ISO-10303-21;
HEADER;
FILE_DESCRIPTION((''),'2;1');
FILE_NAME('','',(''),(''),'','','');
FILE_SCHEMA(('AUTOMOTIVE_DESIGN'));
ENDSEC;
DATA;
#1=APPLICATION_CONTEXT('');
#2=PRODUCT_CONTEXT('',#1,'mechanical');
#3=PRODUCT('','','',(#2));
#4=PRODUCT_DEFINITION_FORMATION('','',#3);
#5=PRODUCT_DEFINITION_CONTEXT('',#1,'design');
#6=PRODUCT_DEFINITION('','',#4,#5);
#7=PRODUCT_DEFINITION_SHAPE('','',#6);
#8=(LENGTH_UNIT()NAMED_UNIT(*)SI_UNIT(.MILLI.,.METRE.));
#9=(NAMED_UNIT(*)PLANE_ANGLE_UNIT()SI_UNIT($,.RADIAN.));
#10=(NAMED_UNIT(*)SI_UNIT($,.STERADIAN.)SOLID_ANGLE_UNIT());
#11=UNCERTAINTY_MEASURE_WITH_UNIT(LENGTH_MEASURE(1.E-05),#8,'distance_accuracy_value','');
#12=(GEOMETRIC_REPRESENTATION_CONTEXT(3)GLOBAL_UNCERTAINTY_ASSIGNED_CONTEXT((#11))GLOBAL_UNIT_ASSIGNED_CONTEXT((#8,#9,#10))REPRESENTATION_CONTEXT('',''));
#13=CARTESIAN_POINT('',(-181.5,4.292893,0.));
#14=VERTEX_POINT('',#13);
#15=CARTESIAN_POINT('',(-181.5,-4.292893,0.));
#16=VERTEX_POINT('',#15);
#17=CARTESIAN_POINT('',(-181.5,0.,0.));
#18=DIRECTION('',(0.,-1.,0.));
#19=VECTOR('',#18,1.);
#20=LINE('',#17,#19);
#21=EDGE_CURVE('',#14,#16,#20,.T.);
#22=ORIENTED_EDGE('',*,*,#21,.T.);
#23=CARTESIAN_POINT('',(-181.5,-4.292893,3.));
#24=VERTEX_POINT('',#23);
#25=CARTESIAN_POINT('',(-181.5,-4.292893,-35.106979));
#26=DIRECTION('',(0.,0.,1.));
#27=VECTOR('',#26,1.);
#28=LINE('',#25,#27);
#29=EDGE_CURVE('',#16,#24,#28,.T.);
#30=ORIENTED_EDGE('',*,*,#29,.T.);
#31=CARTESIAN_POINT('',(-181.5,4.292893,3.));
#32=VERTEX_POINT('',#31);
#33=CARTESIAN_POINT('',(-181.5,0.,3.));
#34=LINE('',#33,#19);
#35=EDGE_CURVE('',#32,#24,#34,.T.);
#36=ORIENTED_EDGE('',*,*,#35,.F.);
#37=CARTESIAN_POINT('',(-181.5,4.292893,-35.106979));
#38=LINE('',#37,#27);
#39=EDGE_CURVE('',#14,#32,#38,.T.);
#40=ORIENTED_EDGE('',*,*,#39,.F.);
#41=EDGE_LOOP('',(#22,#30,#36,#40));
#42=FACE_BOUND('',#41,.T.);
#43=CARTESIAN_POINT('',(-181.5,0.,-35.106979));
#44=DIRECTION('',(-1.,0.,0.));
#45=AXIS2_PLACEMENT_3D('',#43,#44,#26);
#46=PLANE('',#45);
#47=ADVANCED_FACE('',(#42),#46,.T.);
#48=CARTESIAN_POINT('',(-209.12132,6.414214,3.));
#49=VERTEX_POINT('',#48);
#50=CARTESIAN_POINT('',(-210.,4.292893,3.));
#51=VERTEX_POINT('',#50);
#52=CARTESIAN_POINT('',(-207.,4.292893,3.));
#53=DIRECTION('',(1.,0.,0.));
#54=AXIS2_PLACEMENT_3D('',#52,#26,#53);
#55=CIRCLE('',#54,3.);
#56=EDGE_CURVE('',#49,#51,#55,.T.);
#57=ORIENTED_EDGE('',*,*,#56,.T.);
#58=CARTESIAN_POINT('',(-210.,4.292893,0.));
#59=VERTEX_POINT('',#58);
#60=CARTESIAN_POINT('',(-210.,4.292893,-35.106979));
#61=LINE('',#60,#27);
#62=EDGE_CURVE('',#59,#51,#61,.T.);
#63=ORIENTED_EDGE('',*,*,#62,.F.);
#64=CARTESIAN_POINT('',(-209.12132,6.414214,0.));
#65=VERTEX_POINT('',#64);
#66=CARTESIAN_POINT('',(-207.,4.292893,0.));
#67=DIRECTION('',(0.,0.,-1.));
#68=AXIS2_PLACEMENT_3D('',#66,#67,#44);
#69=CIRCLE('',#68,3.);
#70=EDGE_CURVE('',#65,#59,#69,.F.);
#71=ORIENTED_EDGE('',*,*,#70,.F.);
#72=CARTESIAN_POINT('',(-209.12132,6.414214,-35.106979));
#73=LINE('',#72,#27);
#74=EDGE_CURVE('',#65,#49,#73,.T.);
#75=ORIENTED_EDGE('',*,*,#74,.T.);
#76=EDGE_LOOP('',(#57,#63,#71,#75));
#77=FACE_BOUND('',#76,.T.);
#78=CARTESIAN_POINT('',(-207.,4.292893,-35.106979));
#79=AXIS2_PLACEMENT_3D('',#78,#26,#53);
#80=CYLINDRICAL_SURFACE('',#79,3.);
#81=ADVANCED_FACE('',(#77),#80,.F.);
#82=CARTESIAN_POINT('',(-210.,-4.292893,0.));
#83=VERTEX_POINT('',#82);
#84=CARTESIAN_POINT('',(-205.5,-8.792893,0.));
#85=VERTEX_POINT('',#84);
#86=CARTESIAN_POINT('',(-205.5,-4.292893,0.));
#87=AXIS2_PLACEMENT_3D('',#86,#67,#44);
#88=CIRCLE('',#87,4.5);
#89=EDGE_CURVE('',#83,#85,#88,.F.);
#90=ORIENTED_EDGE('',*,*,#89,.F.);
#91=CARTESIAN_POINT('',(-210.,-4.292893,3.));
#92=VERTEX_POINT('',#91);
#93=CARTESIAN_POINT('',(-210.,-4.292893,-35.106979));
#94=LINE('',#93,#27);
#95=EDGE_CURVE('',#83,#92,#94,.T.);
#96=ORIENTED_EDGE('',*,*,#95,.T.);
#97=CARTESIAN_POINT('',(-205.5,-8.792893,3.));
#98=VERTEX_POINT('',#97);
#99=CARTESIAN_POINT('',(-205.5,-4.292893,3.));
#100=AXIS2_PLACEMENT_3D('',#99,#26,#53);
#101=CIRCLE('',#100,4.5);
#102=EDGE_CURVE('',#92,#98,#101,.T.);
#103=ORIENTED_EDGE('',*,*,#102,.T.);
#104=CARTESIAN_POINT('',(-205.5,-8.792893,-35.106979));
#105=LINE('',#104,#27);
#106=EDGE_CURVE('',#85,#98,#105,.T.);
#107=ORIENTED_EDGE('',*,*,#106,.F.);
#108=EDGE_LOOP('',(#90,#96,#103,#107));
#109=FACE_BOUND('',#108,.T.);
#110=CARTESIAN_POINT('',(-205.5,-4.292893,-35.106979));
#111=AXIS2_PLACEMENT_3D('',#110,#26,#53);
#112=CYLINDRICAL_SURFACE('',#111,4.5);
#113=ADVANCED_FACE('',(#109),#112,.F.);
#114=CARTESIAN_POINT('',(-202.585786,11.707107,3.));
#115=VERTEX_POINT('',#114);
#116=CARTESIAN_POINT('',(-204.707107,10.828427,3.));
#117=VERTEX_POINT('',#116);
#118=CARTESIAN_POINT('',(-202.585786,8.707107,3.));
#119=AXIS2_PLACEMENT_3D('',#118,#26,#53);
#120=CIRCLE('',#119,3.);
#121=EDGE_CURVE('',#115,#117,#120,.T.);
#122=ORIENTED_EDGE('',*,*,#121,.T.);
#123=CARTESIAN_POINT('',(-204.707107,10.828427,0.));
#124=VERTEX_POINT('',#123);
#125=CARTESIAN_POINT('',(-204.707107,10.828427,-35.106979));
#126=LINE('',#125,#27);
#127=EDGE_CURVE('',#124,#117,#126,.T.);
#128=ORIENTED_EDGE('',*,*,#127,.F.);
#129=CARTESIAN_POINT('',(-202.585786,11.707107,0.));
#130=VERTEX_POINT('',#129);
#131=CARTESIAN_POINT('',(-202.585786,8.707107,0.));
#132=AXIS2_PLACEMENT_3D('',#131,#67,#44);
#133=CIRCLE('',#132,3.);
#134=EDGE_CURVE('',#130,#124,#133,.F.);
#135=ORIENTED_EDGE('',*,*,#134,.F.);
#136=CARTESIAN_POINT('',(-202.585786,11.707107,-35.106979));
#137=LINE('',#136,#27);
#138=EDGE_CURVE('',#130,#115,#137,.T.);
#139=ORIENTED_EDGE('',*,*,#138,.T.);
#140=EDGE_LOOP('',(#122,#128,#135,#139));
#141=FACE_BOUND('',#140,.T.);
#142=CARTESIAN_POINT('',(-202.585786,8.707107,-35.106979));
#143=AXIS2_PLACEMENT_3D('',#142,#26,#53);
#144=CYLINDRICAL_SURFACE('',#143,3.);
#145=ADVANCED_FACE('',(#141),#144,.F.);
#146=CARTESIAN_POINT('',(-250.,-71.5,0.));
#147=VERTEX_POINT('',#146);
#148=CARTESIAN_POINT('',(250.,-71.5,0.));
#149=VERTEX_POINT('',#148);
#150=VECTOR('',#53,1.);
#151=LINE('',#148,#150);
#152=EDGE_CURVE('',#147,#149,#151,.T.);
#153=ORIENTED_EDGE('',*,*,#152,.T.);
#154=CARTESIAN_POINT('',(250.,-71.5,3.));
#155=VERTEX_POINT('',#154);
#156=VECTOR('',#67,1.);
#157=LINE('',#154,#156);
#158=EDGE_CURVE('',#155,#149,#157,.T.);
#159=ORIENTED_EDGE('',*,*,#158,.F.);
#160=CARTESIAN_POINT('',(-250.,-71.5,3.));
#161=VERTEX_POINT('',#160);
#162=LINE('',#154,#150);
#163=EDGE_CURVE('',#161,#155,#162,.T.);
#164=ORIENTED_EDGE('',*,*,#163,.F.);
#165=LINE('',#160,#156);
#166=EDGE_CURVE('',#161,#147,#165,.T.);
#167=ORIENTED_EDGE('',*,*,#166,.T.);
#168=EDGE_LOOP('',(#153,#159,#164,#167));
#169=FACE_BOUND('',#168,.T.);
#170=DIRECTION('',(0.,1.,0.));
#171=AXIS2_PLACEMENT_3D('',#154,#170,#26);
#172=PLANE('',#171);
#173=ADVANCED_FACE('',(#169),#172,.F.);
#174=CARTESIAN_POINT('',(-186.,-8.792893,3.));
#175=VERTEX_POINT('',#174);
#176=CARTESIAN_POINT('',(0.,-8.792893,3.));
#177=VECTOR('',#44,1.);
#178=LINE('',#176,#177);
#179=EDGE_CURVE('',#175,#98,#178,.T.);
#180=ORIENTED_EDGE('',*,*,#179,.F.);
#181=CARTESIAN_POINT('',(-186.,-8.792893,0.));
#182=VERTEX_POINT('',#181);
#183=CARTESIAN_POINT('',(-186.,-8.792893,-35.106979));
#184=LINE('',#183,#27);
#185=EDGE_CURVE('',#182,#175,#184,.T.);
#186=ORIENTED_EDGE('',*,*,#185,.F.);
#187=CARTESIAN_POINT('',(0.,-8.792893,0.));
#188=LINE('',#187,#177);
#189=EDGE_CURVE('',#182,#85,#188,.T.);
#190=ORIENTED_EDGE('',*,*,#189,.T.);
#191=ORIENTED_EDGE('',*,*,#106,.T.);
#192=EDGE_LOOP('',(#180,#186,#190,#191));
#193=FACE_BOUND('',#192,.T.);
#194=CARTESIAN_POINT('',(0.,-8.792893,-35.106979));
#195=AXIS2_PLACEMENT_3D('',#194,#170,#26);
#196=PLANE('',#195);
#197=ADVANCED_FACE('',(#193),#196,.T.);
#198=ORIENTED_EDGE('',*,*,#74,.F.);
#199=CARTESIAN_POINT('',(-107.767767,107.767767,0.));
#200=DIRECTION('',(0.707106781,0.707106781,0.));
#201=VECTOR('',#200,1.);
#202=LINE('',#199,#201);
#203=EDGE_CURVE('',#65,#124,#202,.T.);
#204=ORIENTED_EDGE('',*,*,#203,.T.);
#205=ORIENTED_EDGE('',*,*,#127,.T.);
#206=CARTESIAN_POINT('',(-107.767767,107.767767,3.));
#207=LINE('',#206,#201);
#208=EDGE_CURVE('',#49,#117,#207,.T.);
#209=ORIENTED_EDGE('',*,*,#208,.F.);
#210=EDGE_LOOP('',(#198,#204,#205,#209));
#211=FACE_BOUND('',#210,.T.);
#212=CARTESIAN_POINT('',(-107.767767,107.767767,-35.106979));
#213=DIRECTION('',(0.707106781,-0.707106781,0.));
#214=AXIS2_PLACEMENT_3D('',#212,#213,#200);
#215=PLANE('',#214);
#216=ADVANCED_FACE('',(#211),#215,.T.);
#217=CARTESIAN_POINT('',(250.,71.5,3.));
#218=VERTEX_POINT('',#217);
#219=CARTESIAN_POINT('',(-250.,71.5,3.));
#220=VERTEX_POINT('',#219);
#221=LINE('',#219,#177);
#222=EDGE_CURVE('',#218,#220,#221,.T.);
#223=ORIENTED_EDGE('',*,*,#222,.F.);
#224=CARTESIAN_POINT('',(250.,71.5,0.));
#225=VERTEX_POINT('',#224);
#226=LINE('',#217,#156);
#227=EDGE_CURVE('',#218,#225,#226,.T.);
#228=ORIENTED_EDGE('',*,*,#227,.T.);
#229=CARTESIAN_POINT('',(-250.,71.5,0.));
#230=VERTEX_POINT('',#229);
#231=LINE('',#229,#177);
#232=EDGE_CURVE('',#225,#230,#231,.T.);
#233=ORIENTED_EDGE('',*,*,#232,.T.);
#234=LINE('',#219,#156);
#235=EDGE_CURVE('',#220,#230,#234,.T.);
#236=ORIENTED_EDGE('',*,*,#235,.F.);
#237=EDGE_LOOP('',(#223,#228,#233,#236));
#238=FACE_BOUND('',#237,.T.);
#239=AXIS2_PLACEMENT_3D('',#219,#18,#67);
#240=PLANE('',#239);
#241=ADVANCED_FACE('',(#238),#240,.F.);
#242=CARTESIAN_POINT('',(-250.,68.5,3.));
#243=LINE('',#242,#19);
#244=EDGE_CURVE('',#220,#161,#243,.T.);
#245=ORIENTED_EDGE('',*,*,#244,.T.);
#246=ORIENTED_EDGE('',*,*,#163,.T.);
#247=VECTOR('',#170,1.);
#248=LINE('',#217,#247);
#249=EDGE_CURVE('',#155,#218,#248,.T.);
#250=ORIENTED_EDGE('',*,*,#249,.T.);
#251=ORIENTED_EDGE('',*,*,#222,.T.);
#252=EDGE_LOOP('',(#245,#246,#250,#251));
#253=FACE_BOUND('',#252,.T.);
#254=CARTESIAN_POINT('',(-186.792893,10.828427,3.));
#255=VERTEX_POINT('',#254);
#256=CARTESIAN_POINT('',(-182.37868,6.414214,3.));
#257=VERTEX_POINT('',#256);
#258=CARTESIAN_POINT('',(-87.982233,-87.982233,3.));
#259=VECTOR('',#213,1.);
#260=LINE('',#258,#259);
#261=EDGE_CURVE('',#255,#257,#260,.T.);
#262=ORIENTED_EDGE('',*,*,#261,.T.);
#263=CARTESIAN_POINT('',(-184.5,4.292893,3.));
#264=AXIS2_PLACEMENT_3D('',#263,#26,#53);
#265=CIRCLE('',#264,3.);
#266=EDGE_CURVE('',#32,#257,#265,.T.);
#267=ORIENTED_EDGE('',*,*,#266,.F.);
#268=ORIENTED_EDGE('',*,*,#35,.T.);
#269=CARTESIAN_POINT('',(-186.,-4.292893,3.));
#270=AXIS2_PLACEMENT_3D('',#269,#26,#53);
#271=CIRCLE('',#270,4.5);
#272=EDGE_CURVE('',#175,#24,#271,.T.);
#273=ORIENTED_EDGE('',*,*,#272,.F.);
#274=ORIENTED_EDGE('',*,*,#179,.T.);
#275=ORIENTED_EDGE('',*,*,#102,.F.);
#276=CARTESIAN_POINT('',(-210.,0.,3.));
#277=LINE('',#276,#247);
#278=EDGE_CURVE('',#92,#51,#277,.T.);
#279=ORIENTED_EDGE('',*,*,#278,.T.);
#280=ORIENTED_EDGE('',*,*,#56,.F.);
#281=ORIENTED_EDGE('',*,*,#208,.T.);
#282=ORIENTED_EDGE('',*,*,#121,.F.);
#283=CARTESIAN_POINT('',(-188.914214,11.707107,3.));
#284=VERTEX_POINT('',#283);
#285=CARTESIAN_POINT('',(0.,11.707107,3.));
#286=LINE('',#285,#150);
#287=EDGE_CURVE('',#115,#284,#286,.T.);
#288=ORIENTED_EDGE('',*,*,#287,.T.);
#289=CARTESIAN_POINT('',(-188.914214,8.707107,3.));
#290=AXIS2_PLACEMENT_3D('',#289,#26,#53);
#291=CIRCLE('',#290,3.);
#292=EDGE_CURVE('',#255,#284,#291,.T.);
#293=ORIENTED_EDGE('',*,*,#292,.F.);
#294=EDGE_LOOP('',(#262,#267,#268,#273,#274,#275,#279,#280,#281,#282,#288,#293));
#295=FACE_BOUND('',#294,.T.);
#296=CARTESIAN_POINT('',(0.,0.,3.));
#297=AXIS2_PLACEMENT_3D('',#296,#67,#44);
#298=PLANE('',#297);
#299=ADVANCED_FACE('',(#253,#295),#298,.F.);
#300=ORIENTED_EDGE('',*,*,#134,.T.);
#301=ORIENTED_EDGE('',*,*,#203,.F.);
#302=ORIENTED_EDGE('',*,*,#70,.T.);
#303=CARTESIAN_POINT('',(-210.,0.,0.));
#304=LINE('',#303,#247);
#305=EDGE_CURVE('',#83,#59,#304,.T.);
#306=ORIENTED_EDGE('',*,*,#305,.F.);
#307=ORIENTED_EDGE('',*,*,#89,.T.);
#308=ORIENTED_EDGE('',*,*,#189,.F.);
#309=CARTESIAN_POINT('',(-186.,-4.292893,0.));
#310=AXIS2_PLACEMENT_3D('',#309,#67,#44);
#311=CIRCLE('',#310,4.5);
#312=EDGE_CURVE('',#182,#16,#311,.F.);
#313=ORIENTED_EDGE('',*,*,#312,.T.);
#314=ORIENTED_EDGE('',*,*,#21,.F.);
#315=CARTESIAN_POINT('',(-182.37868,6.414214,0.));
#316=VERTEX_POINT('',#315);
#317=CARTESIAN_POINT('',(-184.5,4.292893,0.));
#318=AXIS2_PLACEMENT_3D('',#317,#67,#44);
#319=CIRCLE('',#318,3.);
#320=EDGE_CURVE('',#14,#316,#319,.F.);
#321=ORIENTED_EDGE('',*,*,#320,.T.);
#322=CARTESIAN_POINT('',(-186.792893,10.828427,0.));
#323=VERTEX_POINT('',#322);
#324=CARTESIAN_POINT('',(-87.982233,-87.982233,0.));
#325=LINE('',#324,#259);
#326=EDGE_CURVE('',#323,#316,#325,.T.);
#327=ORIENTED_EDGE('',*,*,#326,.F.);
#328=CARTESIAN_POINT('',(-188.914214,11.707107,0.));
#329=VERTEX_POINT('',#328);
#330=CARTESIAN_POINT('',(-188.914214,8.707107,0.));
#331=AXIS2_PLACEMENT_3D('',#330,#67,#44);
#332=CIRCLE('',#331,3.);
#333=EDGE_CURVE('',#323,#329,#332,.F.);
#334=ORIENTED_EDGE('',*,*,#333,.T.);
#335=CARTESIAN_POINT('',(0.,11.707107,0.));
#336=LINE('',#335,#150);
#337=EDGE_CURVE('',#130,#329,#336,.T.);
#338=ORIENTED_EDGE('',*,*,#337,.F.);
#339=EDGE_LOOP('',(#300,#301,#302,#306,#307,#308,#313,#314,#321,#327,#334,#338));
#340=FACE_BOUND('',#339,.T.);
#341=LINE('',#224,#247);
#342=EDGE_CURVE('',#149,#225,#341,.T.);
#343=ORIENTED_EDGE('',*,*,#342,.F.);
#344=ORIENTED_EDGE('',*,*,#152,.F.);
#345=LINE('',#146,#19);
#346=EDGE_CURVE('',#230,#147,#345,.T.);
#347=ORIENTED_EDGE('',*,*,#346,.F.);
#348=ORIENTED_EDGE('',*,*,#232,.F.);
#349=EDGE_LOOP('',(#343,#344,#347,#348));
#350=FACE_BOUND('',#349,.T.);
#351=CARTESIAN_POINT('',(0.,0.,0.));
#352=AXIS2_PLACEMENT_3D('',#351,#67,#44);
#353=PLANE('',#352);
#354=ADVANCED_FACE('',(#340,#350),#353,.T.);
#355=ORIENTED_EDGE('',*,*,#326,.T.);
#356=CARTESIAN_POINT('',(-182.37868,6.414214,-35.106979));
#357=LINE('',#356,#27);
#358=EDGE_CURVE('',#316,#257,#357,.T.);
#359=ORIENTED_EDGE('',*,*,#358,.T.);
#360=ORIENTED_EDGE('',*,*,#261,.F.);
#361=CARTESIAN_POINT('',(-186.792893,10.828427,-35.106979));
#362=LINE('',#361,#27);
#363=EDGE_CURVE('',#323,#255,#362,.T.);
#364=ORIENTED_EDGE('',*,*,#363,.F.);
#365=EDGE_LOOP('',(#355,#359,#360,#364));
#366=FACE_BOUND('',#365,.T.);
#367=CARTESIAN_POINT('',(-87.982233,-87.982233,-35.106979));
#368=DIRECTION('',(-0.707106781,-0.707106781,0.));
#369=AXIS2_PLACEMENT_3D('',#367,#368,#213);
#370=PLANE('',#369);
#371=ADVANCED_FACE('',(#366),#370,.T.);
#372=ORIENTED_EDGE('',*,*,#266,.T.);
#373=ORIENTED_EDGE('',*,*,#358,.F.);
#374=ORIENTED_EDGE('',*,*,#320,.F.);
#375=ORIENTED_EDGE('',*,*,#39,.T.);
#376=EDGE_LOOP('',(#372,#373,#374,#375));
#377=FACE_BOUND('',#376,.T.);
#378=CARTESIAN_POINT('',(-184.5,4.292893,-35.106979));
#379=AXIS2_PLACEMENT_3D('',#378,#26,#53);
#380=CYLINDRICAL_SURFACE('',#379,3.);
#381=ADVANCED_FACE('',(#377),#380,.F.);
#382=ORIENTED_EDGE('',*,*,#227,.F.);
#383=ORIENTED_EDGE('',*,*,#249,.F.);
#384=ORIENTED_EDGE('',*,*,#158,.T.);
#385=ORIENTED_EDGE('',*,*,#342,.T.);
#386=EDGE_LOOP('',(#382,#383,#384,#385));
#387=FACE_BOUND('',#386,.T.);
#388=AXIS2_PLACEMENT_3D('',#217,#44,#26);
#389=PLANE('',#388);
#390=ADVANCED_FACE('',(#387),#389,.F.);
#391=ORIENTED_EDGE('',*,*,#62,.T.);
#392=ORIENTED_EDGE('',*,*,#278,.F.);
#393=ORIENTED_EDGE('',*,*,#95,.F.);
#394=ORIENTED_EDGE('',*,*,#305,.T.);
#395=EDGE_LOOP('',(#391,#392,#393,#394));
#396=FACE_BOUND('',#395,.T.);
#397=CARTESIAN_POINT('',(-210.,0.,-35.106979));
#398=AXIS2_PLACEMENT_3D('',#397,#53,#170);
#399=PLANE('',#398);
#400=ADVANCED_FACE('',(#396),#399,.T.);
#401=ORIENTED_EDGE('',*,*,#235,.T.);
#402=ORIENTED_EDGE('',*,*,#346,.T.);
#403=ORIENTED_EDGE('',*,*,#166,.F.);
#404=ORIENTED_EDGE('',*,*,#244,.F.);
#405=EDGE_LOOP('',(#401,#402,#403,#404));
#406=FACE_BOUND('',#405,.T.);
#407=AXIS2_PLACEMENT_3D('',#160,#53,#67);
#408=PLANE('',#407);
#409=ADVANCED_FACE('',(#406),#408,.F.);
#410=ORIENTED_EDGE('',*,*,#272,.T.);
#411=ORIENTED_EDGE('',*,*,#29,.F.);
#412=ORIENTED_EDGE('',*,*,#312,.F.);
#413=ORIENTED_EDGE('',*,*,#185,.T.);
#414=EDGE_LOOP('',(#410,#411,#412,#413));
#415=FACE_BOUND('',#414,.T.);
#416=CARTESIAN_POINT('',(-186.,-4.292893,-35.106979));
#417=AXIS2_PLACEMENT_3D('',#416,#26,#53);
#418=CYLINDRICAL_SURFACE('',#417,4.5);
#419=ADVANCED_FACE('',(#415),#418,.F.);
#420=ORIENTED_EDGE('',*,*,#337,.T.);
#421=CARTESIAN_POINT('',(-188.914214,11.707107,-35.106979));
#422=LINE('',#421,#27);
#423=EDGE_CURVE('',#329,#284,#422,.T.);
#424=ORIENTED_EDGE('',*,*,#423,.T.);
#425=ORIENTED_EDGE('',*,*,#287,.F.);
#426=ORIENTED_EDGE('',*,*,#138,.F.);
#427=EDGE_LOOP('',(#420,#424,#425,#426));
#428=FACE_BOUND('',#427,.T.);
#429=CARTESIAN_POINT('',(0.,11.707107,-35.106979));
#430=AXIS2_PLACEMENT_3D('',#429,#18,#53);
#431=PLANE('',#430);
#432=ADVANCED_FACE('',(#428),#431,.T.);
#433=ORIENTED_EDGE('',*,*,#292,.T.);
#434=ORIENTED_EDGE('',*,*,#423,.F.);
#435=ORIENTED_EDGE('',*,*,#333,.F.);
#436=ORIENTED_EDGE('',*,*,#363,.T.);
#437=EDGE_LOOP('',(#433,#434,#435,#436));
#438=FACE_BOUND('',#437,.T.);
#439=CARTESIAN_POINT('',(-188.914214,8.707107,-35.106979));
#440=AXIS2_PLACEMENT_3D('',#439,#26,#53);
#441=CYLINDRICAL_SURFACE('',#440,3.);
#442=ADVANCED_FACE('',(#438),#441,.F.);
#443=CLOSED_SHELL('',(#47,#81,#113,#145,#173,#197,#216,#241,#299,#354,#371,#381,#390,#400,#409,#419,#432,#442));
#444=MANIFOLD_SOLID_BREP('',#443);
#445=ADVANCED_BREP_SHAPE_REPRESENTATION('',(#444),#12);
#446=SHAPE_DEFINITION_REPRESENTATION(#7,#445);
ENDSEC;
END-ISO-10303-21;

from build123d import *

# Parameters (mm, degrees)
BOSS_EXTRUDE1_DEPTH = 3
CUT_EXTRUDE2_DEPTH  = 3


with BuildPart() as part:
    # Sketch1 → Boss-Extrude1 (new body)
    with BuildSketch(Plane.XY):
        Polygon((-250, -71.5), (-250, 68.5), (-250, 71.5), (250, 71.5), (250, -71.5), align=None)
    extrude(amount=BOSS_EXTRUDE1_DEPTH)

    # Sketch2 → Cut-Extrude2 (cut)
    with BuildSketch(Plane.XY.offset(3)):
        with BuildLine():
            Line((-186.792893219, 10.828427125), (-182.378679656, 6.414213562))
            ThreePointArc((-182.378679656, 6.414213562), (-181.728361402, 5.440943516), (-181.5, 4.292893219))
            Line((-181.5, 4.292893219), (-181.5, -4.292893219))
            ThreePointArc((-181.5, -4.292893219), (-182.818019485, -7.474873734), (-186, -8.792893219))
            Line((-186, -8.792893219), (-205.5, -8.792893219))
            ThreePointArc((-205.5, -8.792893219), (-208.681980515, -7.474873734), (-210, -4.292893219))
            Line((-210, -4.292893219), (-210, 4.292893219))
            ThreePointArc((-210, 4.292893219), (-209.771638598, 5.440943516), (-209.121320344, 6.414213562))
            Line((-209.121320344, 6.414213562), (-204.707106781, 10.828427125))
            ThreePointArc((-204.707106781, 10.828427125), (-203.733836735, 11.478745379), (-202.585786438, 11.707106781))
            Line((-202.585786438, 11.707106781), (-188.914213562, 11.707106781))
            ThreePointArc((-188.914213562, 11.707106781), (-187.766163265, 11.478745379), (-186.792893219, 10.828427125))
        make_face()
    extrude(amount=-CUT_EXTRUDE2_DEPTH, mode=Mode.SUBTRACT)


solid = part.part
